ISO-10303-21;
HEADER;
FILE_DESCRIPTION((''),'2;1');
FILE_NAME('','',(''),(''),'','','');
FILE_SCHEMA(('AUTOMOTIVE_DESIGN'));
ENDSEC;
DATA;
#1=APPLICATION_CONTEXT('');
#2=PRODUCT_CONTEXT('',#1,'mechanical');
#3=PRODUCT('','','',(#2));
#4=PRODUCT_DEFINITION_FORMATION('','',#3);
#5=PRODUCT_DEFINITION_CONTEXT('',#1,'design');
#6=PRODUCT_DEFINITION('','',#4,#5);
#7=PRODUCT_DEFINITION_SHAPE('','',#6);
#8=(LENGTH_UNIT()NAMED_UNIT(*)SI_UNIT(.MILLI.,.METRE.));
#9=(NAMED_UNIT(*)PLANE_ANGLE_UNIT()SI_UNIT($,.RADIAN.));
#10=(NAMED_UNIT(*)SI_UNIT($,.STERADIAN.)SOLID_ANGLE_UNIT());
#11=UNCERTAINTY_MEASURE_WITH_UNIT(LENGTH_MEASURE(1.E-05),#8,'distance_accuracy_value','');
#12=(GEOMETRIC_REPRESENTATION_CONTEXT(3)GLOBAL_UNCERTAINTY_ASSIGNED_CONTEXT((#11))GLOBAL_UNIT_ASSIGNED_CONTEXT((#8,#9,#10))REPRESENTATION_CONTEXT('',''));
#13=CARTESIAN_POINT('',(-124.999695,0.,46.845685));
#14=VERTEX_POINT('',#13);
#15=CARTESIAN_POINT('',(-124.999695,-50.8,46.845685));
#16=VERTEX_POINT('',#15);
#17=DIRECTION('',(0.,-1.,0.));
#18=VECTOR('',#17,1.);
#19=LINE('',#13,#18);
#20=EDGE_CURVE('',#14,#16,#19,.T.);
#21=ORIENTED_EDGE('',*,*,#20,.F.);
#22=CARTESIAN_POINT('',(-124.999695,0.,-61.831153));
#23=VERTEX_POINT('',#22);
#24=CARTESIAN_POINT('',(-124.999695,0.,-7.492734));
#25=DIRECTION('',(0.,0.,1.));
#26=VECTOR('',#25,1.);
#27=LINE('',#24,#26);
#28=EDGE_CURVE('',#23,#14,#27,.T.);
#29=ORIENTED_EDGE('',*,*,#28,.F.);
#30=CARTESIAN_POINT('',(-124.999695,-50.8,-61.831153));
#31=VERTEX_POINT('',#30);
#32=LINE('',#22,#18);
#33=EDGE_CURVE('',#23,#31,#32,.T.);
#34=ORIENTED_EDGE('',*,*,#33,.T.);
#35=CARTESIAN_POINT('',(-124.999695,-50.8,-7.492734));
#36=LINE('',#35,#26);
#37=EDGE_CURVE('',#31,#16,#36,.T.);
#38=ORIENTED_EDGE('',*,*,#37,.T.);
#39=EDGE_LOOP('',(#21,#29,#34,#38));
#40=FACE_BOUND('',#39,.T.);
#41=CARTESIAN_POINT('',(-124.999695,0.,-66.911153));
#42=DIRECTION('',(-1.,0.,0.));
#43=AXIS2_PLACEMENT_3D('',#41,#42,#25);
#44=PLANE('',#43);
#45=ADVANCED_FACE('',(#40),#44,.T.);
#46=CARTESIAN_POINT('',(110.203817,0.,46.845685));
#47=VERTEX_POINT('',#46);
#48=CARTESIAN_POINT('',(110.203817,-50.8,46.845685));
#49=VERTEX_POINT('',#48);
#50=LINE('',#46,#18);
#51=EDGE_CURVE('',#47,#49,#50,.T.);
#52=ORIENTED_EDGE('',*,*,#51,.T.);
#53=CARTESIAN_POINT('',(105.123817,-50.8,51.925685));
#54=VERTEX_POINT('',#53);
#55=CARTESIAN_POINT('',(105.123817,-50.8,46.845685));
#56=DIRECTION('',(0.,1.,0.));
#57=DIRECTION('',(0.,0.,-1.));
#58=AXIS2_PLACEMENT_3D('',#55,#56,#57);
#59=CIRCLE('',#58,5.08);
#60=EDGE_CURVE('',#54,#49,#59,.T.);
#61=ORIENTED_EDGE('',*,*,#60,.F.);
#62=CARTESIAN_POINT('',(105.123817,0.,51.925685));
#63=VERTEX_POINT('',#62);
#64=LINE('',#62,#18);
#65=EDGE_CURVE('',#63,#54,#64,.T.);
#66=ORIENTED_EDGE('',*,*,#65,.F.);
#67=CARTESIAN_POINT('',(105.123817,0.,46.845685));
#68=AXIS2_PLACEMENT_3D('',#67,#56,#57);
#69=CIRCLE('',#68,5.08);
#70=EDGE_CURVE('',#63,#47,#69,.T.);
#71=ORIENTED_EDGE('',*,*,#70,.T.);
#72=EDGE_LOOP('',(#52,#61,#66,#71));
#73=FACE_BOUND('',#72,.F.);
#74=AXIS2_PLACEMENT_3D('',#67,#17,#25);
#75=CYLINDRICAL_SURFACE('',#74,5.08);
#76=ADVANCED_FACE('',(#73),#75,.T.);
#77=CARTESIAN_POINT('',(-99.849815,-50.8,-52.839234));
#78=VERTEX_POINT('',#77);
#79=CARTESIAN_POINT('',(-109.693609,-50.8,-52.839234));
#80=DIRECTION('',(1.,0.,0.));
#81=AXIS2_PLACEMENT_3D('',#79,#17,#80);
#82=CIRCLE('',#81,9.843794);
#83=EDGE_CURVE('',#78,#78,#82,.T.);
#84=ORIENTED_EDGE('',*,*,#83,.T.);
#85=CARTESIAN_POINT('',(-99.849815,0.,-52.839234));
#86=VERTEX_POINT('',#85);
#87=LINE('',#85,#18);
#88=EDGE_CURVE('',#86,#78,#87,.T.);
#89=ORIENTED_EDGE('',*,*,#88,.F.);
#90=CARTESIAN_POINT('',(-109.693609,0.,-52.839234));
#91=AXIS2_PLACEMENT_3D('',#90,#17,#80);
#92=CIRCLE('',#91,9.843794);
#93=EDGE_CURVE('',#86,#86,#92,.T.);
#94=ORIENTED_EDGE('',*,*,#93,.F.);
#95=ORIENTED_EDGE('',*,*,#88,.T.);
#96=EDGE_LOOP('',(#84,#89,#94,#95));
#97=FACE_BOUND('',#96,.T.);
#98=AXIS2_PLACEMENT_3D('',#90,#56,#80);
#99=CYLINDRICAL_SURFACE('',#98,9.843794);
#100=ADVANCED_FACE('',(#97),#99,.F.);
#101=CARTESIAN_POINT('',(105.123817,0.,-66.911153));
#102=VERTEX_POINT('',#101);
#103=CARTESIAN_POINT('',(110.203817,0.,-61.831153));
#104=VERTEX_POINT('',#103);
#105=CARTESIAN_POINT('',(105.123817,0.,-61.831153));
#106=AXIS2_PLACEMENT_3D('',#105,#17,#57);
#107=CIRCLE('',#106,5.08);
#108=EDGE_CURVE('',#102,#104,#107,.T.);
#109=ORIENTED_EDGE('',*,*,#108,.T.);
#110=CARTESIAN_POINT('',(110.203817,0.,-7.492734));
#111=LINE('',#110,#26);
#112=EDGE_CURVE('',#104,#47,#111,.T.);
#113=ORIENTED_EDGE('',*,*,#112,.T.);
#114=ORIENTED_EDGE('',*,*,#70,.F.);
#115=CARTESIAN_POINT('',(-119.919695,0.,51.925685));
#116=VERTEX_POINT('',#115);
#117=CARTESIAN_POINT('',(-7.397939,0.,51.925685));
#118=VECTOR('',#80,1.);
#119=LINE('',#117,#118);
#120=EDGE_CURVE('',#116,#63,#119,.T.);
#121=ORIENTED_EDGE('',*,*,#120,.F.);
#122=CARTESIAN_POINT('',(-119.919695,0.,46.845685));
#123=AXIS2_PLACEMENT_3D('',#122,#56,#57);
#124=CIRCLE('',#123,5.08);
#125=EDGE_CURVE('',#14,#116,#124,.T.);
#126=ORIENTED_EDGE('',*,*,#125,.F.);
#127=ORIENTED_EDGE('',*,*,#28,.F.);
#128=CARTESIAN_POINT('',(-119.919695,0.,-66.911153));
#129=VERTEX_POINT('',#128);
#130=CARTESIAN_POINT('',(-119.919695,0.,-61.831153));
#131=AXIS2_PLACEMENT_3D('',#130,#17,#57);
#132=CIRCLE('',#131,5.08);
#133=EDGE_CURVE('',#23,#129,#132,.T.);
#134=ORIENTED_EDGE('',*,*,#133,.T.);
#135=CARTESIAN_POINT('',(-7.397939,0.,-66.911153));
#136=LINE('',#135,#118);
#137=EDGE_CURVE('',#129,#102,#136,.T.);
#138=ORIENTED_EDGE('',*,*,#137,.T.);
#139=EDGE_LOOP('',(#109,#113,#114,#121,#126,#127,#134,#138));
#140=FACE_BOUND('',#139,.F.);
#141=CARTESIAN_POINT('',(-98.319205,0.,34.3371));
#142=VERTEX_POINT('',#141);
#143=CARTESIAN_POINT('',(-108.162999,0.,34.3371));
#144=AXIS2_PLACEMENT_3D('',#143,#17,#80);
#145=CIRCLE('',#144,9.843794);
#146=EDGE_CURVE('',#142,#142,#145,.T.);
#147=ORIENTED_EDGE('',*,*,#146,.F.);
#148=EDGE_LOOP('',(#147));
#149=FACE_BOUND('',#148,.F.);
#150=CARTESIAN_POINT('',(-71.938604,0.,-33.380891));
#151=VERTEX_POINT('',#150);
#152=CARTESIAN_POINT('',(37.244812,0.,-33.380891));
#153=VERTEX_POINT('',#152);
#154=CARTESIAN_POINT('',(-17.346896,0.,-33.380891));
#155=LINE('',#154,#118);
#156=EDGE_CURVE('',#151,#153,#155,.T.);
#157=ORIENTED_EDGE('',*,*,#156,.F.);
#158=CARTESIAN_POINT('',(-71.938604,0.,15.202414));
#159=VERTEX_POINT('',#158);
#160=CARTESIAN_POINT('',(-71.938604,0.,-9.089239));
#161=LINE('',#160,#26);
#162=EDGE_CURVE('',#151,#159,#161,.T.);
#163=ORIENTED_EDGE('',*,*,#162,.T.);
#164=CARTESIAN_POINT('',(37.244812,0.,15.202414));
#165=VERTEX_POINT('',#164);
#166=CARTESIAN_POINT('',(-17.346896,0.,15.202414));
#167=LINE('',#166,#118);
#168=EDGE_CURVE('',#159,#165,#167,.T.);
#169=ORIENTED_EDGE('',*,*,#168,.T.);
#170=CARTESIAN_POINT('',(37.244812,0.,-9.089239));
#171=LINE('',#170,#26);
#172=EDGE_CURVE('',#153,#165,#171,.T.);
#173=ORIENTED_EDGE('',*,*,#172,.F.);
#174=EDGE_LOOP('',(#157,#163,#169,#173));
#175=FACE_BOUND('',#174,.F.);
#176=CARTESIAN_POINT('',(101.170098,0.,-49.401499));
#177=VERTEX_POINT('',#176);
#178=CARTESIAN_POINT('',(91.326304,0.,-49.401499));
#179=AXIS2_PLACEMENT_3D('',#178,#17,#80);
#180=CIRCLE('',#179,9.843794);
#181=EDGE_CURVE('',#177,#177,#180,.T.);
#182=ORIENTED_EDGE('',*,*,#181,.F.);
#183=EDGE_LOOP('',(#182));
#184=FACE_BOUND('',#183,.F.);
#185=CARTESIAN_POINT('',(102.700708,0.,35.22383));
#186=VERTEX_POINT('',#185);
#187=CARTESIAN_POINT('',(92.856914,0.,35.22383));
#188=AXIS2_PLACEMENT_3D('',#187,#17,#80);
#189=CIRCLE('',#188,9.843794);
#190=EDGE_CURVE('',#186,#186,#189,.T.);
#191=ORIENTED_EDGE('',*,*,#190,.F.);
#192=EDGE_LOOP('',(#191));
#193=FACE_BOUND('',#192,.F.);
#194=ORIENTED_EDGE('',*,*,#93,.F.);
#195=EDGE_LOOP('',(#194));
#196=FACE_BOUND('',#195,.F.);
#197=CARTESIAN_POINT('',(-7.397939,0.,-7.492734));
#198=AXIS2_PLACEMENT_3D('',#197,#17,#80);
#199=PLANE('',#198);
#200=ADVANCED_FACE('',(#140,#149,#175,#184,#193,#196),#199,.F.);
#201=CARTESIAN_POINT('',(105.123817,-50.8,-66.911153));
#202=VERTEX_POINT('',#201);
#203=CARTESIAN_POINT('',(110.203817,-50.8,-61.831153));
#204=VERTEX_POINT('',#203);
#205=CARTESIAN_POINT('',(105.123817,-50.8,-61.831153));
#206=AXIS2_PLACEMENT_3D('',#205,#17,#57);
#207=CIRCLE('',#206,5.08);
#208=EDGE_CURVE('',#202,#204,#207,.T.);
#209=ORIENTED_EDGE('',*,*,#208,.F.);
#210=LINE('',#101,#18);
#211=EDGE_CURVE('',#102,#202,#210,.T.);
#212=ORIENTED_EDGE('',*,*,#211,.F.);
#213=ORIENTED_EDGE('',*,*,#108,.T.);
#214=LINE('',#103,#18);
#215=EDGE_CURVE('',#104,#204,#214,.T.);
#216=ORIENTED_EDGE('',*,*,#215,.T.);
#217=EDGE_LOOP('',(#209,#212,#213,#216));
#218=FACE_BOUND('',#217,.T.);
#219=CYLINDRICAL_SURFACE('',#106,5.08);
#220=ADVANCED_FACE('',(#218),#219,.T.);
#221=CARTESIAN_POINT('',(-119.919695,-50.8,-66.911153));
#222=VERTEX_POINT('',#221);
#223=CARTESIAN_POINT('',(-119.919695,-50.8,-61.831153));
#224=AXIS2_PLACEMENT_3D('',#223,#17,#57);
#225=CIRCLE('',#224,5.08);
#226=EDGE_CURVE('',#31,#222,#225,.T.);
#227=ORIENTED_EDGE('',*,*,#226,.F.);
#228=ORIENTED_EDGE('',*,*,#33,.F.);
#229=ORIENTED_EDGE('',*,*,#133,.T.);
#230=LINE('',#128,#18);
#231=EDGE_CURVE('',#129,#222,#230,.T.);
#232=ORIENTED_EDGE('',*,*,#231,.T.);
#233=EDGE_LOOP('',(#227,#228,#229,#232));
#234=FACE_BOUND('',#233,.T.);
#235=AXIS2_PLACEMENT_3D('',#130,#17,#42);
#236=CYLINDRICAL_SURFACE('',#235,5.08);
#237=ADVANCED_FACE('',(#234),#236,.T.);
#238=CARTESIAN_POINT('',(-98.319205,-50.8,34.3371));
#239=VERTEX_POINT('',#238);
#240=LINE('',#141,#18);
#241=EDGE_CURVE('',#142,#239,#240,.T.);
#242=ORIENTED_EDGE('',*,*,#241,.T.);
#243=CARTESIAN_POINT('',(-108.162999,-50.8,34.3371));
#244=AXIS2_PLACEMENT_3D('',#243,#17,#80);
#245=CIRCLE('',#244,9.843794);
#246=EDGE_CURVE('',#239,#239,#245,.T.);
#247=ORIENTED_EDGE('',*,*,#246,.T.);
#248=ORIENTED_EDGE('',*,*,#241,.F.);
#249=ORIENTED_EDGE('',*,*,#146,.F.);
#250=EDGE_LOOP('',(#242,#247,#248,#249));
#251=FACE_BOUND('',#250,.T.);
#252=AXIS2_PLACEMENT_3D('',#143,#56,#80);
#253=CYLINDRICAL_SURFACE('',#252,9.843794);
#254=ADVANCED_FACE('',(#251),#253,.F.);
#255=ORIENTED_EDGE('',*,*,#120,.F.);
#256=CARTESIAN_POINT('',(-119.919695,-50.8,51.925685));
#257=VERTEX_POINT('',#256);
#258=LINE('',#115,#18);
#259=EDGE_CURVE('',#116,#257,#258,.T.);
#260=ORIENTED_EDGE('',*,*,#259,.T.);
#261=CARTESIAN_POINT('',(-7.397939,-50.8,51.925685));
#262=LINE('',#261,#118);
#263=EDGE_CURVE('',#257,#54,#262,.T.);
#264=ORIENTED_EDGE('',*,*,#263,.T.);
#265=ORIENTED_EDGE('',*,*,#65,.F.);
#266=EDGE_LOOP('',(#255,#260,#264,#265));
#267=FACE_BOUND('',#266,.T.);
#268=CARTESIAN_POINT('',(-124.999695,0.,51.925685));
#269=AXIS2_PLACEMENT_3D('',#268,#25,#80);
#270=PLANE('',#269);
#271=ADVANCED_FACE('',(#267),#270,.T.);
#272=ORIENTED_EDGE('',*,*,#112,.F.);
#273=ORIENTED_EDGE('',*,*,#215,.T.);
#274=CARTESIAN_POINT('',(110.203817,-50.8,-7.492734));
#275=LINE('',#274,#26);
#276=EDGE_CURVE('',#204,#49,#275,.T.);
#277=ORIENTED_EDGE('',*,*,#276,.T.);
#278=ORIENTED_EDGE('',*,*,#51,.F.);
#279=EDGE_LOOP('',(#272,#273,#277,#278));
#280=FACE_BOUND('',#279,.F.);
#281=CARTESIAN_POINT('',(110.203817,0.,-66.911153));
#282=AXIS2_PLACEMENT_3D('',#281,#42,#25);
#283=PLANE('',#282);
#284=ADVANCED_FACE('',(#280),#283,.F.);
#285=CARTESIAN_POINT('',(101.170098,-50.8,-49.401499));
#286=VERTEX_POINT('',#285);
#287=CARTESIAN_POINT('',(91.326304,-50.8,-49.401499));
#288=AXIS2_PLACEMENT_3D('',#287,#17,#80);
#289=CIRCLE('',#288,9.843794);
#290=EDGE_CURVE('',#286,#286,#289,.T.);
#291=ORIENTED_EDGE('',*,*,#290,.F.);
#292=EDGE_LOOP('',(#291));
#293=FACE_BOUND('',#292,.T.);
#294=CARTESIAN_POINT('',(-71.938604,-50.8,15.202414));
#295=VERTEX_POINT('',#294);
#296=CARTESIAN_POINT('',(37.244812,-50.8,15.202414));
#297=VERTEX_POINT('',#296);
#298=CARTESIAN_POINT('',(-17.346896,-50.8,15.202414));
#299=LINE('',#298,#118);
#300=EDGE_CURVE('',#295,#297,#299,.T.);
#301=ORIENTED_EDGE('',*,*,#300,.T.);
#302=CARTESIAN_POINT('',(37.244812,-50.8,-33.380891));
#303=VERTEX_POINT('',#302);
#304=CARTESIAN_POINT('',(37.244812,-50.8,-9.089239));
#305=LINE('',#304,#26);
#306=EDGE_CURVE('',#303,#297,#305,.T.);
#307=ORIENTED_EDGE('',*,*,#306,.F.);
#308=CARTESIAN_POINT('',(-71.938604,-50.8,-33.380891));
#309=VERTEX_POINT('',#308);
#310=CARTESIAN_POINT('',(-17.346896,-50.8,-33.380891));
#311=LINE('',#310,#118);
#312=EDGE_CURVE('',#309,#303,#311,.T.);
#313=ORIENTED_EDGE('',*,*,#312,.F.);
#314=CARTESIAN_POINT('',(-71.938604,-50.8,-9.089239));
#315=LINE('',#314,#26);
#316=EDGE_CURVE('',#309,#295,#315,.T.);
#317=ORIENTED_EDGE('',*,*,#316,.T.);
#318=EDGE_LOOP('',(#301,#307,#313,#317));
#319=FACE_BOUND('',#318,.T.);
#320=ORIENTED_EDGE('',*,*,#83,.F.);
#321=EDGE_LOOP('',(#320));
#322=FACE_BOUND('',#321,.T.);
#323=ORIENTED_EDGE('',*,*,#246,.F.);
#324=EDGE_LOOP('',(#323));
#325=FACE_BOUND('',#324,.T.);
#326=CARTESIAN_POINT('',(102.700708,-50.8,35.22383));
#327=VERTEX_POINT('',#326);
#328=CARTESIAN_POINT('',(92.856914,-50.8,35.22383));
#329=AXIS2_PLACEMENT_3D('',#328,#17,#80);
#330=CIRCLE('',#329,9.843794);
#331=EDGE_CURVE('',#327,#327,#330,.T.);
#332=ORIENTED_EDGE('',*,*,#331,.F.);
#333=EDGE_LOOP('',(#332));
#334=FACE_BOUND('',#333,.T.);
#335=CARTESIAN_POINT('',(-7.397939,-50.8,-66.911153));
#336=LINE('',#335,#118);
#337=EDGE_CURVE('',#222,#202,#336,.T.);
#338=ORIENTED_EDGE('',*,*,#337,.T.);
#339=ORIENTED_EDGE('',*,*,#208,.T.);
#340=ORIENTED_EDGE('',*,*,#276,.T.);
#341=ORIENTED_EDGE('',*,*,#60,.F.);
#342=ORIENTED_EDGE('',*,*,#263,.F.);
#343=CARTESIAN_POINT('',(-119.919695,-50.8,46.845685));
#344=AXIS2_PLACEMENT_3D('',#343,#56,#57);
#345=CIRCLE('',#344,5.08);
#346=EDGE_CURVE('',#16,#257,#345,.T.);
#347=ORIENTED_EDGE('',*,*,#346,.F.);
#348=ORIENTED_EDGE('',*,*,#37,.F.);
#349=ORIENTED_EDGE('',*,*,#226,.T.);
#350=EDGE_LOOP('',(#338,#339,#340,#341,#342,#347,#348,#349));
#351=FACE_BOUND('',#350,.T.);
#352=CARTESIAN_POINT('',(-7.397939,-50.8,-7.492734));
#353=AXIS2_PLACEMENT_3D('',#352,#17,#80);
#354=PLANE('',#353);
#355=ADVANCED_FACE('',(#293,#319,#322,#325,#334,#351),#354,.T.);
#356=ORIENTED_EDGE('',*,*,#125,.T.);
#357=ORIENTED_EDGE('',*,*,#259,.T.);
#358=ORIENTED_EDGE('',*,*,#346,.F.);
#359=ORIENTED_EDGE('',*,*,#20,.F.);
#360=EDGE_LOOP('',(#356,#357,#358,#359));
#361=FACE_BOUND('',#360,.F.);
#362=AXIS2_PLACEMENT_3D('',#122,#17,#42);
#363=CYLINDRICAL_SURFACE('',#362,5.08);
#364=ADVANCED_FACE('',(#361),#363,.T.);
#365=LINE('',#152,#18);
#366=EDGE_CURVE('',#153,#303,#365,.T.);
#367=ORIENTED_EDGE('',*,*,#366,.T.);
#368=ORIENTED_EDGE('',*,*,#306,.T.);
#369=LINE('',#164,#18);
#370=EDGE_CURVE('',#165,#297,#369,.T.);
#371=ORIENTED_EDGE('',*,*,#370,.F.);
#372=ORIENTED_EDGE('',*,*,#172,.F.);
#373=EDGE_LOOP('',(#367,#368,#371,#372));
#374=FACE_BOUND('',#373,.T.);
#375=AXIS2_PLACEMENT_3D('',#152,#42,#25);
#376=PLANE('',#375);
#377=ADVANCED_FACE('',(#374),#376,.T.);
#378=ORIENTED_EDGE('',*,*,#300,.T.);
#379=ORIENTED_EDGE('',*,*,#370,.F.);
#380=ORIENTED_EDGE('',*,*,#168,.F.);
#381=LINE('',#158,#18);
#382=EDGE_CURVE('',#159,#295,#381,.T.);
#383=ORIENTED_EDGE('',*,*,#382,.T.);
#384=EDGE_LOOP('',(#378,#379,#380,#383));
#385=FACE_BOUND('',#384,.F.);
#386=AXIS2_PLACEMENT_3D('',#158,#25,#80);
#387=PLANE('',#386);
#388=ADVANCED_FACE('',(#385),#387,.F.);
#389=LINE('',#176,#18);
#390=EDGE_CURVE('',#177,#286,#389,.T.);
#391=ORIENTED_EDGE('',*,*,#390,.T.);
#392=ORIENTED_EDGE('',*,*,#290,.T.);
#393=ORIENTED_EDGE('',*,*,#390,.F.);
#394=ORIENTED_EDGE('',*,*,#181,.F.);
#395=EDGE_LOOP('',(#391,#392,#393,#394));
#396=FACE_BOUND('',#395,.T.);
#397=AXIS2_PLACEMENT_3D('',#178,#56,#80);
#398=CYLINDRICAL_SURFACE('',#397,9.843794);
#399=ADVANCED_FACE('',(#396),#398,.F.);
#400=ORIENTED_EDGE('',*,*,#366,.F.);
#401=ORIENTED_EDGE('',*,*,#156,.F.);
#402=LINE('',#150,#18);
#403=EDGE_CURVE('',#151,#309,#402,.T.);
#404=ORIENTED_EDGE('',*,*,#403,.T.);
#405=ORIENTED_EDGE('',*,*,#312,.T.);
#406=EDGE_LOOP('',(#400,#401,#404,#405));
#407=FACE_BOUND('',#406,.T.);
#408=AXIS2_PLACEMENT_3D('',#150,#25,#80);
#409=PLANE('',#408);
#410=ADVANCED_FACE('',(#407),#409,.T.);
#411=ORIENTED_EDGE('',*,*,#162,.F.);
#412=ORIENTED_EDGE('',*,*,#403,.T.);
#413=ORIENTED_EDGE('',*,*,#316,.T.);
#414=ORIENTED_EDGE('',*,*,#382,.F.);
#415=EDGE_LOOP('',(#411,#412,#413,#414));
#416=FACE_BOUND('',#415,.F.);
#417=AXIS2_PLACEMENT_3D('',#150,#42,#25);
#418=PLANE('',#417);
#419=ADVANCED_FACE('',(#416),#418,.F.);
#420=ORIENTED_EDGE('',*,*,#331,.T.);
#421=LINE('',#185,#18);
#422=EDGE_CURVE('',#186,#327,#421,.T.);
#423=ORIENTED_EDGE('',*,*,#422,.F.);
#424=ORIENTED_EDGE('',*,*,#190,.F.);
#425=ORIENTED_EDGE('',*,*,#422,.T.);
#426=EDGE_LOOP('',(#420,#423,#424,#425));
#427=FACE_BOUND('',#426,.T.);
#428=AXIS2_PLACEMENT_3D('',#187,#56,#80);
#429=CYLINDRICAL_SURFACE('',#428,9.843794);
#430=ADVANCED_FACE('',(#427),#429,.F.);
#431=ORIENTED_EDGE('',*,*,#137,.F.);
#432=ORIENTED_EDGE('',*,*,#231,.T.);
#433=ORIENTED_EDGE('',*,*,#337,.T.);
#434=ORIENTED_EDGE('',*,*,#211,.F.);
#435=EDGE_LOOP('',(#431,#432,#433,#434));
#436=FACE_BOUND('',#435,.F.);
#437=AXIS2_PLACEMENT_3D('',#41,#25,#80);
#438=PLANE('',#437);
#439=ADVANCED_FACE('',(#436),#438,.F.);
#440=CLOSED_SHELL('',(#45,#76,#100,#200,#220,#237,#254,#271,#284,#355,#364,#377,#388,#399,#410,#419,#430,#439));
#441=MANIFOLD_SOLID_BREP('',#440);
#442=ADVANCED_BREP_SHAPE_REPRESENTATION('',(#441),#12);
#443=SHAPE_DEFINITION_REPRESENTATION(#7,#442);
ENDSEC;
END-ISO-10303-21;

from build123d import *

# Parameters (mm, degrees)
F0_W     = 235.203512
F0_H     = 118.836838
F0_R     = 9.843794
F0_W_2   = 109.183416
F0_H_2   = 48.583305
F1_DEPTH = 50.8
F2_R     = 5.08
F3_R     = 5.08
F4_R     = 5.08


with BuildPart() as f1:
    # F0 (on Front) → F1 (new body)
    with BuildSketch(Plane.XZ):
        with Locations((-7.397939, -7.492734)):
            Rectangle(F0_W, F0_H)
        with Locations((-109.693609, -52.839234)):
            Circle(F0_R, mode=Mode.SUBTRACT)
        with Locations((-17.346896, -9.089239)):
            Rectangle(F0_W_2, F0_H_2, mode=Mode.SUBTRACT)
        with Locations((91.326304, -49.401499)):
            Circle(F0_R, mode=Mode.SUBTRACT)
        with Locations((-108.162999, 34.3371)):
            Circle(F0_R, mode=Mode.SUBTRACT)
        with Locations((92.856914, 35.22383)):
            Circle(F0_R, mode=Mode.SUBTRACT)
    extrude(amount=F1_DEPTH)

    # F2
    f2_edges = [f1.edges().sort_by_distance(p)[0] for p in [
        (110.203817, -25.4, -66.911153),
        (-124.999695, -25.4, -66.911153),
    ]]
    fillet(f2_edges, radius=F2_R)

    # F3
    f3_edges = [f1.edges().sort_by_distance(p)[0] for p in [
        (-124.999695, -25.4, 51.925685),
    ]]
    fillet(f3_edges, radius=F3_R)

    # F4
    f4_edges = [f1.edges().sort_by_distance(p)[0] for p in [
        (110.203817, -25.4, 51.925685),
    ]]
    fillet(f4_edges, radius=F4_R)


solid = f1.part
